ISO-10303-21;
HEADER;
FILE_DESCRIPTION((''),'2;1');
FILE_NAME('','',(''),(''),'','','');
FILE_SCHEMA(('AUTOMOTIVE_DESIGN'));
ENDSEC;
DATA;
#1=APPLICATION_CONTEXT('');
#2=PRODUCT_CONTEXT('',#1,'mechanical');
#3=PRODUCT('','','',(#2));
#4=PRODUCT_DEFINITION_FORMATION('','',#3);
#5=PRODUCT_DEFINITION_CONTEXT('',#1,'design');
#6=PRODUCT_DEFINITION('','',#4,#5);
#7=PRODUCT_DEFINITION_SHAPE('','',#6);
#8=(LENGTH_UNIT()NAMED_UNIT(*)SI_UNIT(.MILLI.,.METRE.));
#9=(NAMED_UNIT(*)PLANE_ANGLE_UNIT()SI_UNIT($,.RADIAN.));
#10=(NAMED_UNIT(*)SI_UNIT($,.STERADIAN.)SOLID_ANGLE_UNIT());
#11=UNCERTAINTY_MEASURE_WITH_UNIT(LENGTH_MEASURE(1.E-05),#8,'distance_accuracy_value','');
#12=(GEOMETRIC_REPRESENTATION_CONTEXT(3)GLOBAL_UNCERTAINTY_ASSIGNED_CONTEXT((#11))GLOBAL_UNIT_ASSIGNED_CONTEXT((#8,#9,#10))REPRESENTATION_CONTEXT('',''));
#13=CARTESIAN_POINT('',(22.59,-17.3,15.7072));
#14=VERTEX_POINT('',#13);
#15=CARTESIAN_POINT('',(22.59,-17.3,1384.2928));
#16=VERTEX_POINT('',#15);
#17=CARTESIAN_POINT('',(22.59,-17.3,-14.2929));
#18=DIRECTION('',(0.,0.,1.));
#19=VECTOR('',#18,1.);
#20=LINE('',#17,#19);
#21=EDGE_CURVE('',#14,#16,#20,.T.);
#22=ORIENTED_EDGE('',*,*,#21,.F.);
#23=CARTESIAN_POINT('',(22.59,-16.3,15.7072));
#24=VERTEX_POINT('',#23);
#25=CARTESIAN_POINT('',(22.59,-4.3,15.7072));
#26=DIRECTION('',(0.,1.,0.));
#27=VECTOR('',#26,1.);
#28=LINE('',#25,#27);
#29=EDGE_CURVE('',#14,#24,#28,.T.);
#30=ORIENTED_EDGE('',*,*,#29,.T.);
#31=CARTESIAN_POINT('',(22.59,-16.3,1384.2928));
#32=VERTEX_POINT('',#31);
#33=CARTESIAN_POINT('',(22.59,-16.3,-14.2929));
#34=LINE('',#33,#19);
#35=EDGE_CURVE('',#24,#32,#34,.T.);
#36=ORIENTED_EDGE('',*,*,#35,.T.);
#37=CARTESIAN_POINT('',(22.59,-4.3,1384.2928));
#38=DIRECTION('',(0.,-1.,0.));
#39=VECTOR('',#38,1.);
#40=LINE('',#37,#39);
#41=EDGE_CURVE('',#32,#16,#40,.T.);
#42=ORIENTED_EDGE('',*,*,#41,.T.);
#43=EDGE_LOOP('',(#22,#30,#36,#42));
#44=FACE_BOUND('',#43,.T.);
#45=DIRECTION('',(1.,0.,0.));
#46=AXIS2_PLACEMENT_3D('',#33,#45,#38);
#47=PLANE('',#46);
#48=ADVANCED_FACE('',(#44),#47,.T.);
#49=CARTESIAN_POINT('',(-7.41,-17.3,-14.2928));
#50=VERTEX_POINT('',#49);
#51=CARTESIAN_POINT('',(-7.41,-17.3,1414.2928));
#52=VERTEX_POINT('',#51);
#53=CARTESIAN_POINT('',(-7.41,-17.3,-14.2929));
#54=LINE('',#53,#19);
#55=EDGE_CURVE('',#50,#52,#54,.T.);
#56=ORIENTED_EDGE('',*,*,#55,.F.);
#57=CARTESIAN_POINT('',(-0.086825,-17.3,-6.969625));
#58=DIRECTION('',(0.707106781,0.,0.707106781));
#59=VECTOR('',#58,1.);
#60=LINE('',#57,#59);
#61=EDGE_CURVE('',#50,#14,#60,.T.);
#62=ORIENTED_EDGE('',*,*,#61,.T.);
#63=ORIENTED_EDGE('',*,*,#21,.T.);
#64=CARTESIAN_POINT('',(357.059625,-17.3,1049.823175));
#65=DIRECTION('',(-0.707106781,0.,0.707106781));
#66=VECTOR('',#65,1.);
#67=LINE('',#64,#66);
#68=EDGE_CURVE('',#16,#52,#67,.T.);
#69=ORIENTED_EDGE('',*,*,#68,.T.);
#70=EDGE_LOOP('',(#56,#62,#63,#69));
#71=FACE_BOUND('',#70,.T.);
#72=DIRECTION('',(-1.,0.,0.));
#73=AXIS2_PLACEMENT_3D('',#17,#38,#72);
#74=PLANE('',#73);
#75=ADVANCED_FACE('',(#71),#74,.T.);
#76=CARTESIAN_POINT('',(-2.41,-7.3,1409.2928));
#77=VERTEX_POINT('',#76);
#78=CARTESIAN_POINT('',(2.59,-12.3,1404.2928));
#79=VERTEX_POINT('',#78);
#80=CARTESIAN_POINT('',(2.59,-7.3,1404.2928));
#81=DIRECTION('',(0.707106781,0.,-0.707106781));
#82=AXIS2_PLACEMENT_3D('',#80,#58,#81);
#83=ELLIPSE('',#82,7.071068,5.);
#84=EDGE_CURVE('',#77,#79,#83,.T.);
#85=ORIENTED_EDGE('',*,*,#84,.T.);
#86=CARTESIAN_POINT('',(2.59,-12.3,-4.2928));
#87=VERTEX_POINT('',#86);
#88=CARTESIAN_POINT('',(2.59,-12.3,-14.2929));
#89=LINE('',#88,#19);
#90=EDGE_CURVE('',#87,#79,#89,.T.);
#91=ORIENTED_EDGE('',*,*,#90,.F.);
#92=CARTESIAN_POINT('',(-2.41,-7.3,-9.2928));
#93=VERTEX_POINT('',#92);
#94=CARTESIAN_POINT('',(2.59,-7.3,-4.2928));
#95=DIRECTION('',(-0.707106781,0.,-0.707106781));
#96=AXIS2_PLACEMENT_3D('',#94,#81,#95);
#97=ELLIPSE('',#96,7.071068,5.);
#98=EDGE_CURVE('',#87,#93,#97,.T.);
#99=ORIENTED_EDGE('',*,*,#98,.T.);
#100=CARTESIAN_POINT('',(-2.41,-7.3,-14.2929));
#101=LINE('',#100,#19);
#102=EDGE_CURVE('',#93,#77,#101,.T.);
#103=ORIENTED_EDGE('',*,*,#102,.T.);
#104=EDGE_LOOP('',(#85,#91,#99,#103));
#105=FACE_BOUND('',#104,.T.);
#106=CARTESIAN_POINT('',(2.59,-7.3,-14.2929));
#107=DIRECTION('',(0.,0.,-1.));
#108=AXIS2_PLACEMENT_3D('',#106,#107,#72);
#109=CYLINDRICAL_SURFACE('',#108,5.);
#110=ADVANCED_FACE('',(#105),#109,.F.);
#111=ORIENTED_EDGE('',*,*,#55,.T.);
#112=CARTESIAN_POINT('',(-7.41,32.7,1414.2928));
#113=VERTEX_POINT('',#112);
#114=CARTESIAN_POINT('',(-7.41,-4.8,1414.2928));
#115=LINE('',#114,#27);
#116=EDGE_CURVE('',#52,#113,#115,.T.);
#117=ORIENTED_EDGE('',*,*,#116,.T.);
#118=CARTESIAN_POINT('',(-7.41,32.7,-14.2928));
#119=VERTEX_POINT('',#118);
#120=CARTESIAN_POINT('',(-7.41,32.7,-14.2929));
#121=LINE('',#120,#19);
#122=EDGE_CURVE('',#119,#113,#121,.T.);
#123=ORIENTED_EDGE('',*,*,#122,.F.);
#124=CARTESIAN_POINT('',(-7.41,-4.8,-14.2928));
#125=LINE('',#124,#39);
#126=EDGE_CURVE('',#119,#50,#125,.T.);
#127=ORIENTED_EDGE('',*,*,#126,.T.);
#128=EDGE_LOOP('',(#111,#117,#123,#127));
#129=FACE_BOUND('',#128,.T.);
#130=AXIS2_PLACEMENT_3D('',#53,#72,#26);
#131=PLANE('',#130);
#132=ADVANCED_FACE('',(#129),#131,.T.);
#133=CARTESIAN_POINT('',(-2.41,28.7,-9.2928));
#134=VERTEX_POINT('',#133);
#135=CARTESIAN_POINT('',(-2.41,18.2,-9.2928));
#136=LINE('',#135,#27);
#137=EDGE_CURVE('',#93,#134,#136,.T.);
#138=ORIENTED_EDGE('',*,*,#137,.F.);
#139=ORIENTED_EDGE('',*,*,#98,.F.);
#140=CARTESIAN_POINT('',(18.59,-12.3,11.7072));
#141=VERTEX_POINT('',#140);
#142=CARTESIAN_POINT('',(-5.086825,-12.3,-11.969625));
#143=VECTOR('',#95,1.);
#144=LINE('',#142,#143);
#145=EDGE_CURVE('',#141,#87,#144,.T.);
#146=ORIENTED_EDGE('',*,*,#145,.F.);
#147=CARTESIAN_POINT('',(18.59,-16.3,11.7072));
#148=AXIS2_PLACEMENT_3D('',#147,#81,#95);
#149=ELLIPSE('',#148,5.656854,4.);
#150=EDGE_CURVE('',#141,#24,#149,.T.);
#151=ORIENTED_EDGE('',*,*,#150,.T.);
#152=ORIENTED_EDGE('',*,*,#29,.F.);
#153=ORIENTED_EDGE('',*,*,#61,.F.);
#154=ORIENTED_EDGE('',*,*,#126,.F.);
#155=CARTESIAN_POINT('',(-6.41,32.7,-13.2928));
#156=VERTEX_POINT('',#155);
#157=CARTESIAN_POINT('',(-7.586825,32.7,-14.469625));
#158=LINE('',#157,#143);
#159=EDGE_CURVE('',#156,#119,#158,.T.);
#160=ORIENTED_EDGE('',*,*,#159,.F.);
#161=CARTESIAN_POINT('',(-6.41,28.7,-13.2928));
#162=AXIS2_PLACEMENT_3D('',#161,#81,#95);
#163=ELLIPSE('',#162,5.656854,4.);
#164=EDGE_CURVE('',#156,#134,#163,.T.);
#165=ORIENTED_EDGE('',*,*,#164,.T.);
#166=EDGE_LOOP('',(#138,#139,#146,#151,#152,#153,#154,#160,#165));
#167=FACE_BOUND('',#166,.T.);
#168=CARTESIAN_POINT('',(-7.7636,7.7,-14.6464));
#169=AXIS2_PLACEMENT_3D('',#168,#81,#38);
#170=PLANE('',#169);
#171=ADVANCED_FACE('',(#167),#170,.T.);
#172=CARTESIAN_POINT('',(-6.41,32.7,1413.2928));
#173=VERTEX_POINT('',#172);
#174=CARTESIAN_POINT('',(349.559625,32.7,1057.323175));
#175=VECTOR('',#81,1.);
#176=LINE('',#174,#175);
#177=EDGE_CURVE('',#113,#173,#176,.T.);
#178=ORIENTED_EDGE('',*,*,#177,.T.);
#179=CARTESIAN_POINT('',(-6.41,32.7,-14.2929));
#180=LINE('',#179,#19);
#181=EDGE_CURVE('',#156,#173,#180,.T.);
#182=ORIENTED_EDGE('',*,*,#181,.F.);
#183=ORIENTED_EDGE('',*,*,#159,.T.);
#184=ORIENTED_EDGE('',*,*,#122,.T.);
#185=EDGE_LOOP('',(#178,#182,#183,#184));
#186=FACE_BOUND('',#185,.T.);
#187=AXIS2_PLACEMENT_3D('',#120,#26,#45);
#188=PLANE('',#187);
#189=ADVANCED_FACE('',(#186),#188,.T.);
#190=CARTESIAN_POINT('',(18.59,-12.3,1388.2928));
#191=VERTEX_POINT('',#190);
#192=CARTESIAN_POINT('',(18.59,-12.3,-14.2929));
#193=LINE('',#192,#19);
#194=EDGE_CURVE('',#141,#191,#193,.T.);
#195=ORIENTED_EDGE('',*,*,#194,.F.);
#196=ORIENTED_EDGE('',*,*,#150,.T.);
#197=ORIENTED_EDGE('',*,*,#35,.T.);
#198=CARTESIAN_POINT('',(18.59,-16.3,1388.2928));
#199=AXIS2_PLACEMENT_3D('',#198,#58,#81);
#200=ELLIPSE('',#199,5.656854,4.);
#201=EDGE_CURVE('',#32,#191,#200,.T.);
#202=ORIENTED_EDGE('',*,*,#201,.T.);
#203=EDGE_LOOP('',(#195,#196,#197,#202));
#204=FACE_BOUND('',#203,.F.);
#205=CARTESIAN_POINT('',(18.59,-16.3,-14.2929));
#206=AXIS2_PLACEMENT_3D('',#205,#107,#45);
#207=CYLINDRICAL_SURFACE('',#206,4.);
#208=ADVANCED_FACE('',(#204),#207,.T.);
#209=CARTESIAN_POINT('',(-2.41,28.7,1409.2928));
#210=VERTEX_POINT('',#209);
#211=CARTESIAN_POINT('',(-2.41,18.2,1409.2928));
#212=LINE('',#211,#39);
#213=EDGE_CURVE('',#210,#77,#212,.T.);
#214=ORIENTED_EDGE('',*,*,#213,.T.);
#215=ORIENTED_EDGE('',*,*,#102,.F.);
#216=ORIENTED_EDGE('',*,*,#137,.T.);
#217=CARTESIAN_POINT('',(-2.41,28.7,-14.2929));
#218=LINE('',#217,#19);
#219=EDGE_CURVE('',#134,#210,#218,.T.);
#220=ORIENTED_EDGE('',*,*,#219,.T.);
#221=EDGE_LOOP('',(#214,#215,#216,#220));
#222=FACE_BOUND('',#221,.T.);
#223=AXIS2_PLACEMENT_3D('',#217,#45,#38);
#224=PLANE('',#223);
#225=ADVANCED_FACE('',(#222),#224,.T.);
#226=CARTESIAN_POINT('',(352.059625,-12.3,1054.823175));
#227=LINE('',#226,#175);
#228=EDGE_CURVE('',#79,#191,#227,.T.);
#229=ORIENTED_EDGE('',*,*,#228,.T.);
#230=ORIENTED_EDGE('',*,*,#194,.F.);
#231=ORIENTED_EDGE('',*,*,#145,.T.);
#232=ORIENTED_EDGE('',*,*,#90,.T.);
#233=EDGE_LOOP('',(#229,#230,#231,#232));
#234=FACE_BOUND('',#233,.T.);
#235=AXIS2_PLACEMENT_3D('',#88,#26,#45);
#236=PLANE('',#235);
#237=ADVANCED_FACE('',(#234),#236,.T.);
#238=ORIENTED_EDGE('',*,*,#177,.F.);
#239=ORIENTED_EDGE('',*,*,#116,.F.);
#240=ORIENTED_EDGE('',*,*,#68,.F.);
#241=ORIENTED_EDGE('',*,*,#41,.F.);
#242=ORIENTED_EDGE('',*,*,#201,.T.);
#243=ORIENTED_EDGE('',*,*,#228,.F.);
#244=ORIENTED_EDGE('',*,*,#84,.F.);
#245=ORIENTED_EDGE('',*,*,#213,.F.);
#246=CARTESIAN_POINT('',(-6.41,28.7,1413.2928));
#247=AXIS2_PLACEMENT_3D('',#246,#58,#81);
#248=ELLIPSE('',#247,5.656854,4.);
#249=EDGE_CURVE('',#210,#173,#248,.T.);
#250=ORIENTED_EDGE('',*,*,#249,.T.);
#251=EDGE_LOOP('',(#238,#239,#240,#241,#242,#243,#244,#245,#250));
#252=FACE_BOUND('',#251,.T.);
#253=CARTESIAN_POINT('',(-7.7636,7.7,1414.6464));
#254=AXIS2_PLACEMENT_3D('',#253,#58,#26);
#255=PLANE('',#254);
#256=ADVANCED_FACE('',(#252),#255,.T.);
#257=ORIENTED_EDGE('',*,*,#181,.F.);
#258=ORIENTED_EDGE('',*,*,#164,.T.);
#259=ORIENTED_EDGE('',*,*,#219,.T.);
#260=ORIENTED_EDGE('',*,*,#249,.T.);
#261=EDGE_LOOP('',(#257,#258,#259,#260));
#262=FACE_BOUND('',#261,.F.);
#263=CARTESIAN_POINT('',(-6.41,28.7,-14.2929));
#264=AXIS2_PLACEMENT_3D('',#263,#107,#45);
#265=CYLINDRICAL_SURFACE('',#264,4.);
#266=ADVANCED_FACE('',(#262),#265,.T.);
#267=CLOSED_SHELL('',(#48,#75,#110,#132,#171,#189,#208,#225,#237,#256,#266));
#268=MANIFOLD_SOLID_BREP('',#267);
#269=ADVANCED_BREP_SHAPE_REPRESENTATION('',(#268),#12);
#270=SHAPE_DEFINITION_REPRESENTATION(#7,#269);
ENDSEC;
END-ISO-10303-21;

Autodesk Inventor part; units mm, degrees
ref_plane "Start Plane" through (0, 0, -14.2929) normal (0, 0, 1) x (1, 0, 0)
ref_plane "End Plane" through (0, 0, 1414.2929) normal (0, 0, 1) x (1, 0, 0)
sketch "Sketch" plane through (0, 0, 0) normal (0, 0, 1) x (1, 0, 0)
  line L0 (-2.41, 28.7) -> (-2.41, -7.3)
  line L1 (-7.41, 32.7) -> (-6.41, 32.7)
  line L2 (-7.41, -17.3) -> (-7.41, 32.7)
  line L3 (22.59, -17.3) -> (-7.41, -17.3)
  line L4 (22.59, -16.3) -> (22.59, -17.3)
  line L5 (2.59, -12.3) -> (18.59, -12.3)
  arc A0 (-2.41, -7.3) -> (2.59, -12.3) centre (2.59, -7.3) ccw
  arc A1 (-2.41, 28.7) -> (-6.41, 32.7) centre (-6.41, 28.7) ccw
  arc A2 (22.59, -16.3) -> (18.59, -12.3) centre (18.59, -16.3) ccw
  line L6 (0, 43.6941) -> (0, -27.4657) construction
  line L7 (-13.5757, 0) -> (29.5841, 0) construction
  point P0 (-2.41, 32.7)
  point P1 (-2.41, -12.3)
  point P2 (22.59, -12.3)
  dimension "d4" = 30
  dimension "d6" = 50
  dimension "d8" = 5
  dimension "d10" = 5
  dimension "d17" = 5
  dimension "d18" = 4
  dimension "d19" = 17.3
  dimension "d20" = 7.41
extrude "Body" add sketch "Sketch" along normal up to surface (1428.5858 mm away) from surface at -14.2929
sketch "Sketch3" plane through (0, 0, 0) normal (0, 0, 1) x (1, 0, 0)
  line L0 (0, 0) -> (10, 0)
ref_plane "Work Plane10" through (0, 0, 0) normal (0, -1, 0) x (1, 0, 0)
sketch "Sketch4" plane through (0, 0, 0) normal (0, -1, 0) x (1, 0, 0)
  line L0 (-2, -14.2929) -> (12, -14.2929)
  line L1 (-2, 1414.2929) -> (12, 1414.2929)
  dimension "d24" = 1428.5858
ref_plane "Work Plane11" through (-7.7636, 7.7, -14.6464) normal (0.7071, 0, -0.7071) x (-0.7071, 0, -0.7071)
split "Split1" plane through (-7.7636, 7.7, -14.6464) removes the side toward (0.7071, 0, -0.7071)
ref_plane "Work Plane12" through (-7.7636, 7.7, 1414.6464) normal (0.7071, 0, 0.7071) x (0.7071, 0, -0.7071)
split "Split2" plane through (-7.7636, 7.7, 1414.6464) removes the side toward (0.7071, 0, 0.7071)
equation "\"d4\" = b"
equation "\"d6\" = ParH"
equation "\"d8\" = ParT"
equation "\"d10\" = ParT"
equation "\"d17\" = R"
equation "\"d18\" = R1"
equation "\"d19\" = ex"
equation "\"d20\" = ey"
equation "\"d11\" = G_L"
equation "\"b\" = 30"
equation "\"ParT\" = 5"
equation "\"R1\" = 4"
equation "\"G_L\" = d24"
equation "\"ParH\" = 50"
equation "\"R\" = 5"
equation "\"ey\" = 7.41"
equation "\"ex\" = 17.3"
equation "\"G_OFFSET_START\" = 14.29289"
equation "\"G_OFFSET_END\" = 14.29289"
equation "\"d21\" = -G_OFFSET_START"
equation "\"d22\" = G_OFFSET_END + B_L"
equation "\"B_L\" = 1400"
properties part number "ISO 657-2 - 50x 30x 5-1428.59" material "Steel, Mild"
